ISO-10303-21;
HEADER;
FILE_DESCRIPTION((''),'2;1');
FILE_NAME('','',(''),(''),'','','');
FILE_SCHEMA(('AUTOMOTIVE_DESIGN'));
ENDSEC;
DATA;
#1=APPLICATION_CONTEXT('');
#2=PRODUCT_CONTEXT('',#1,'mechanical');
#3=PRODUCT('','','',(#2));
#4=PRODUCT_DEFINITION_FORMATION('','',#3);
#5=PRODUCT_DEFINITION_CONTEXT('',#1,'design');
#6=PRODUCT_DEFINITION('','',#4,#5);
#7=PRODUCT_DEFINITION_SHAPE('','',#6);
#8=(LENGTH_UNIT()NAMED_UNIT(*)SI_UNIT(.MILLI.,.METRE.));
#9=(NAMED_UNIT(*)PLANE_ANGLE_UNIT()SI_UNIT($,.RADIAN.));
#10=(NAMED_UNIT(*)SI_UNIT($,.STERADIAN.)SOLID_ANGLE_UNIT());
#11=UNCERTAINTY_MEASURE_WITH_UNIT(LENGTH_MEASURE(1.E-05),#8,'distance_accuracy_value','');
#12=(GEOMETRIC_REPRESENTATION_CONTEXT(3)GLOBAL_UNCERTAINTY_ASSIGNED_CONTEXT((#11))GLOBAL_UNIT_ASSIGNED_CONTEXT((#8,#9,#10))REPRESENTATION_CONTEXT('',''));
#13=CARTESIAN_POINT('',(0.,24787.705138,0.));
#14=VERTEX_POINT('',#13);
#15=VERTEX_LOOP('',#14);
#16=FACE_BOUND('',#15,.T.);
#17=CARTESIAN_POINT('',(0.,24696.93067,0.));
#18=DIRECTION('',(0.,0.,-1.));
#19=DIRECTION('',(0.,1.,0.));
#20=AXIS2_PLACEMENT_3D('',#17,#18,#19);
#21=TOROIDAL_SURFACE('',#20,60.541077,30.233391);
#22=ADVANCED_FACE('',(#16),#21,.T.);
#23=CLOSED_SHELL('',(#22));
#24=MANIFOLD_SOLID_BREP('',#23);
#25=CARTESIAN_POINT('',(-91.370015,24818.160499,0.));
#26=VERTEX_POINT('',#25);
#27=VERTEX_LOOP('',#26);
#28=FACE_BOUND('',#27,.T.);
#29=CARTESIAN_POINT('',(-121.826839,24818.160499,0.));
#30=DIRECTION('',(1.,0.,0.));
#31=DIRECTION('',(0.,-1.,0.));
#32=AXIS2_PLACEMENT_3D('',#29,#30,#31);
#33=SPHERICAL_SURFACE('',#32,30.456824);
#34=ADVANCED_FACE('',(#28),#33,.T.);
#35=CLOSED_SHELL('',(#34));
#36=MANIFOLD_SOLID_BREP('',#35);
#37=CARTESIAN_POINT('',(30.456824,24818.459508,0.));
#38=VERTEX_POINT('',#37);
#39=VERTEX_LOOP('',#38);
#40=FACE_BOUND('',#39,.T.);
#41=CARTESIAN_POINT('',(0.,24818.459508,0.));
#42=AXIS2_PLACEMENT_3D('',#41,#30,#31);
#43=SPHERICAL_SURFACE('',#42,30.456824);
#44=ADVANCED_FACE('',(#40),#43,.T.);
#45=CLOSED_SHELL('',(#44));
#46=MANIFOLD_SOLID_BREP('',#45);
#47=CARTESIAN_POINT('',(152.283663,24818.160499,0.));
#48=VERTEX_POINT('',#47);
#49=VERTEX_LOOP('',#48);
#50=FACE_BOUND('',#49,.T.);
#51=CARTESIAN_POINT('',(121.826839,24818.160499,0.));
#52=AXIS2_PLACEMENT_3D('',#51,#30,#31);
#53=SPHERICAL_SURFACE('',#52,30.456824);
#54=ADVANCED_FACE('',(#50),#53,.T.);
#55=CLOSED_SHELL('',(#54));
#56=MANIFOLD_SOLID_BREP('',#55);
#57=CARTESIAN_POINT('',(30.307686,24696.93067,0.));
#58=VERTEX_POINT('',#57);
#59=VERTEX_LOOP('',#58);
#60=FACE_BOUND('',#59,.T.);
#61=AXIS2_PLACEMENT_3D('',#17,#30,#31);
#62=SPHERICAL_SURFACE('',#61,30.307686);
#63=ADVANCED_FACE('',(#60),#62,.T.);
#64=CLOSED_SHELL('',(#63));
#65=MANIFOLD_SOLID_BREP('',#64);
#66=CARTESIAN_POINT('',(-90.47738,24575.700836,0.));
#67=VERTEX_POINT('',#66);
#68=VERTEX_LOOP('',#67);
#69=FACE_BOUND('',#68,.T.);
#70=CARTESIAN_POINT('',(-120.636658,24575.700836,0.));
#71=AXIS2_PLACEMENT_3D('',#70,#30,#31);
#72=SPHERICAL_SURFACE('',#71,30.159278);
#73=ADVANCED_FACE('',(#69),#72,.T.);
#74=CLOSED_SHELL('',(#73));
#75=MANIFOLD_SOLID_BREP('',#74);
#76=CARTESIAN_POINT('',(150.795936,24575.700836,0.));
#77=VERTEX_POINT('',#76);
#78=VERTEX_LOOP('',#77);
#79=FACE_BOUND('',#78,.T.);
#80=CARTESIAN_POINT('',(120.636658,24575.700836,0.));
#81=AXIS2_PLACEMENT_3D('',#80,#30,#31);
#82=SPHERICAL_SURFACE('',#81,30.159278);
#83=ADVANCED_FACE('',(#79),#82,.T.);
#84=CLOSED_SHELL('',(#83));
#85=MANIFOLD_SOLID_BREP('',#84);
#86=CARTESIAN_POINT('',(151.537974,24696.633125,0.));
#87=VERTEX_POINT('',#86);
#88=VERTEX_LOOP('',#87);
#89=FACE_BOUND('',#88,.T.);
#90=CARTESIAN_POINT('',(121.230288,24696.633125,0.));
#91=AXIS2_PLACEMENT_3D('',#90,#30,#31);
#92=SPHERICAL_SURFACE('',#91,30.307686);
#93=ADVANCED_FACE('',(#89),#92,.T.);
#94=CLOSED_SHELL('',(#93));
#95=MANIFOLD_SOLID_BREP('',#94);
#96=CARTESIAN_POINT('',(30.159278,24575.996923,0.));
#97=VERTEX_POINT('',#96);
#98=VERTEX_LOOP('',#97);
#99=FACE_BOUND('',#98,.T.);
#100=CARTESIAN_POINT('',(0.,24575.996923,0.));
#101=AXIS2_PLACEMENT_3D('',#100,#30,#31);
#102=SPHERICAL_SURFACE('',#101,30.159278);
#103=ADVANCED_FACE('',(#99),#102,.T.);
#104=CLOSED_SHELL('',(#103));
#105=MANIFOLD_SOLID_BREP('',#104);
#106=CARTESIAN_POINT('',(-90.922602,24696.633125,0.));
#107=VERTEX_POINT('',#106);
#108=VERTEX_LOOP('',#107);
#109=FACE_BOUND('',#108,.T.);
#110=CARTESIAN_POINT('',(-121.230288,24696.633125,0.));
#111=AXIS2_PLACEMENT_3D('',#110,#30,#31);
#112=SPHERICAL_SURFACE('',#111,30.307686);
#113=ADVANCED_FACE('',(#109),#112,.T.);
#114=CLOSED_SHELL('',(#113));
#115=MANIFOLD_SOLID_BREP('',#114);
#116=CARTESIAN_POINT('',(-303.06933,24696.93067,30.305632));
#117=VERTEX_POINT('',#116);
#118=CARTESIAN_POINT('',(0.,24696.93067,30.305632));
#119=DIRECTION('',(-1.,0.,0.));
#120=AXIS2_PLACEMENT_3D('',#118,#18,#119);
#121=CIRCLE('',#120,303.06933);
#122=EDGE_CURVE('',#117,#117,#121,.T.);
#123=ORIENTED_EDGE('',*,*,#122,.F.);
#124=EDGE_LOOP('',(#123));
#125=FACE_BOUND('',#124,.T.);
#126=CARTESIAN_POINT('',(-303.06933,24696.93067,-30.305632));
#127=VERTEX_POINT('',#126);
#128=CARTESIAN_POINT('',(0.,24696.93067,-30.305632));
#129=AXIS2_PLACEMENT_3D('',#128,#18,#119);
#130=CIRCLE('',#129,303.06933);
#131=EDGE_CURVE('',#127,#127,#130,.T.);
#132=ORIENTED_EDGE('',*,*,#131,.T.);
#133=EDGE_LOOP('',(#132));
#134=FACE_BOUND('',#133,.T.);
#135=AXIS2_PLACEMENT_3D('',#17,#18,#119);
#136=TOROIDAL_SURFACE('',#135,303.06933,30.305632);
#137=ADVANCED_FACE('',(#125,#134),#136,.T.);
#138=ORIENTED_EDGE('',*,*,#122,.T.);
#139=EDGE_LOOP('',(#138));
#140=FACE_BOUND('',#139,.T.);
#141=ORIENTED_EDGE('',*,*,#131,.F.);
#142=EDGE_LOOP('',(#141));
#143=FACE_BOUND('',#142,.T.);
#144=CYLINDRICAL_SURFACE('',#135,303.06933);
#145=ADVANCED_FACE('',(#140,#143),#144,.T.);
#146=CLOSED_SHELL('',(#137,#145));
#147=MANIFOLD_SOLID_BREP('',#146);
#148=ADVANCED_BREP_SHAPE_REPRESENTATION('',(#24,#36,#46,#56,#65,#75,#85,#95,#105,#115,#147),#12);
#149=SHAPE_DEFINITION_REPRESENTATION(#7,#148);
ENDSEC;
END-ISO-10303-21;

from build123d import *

# Parameters (mm, degrees)
SKETCH25_R = 30.233391066


with BuildPart() as part:
    # Sketch16 → Revolve12 (revolve)
    with BuildSketch(Plane.XY):
        with BuildLine():
            Line((30.307686127, 24696.930669747), (-30.307686127, 24696.930669747))
            ThreePointArc((-30.307686127, 24696.930669747), (0, 24727.238355873), (30.307686127, 24696.930669747))
        make_face()
    revolve(axis=Axis((30.307686127, 24696.930669747, 0), (-1, 0, 0)))


with BuildPart() as body_2:
    # Sketch17 → Revolve13 (revolve)
    with BuildSketch(Plane.XY):
        with BuildLine():
            Line((30.159278129, 24575.996923359), (-30.159278129, 24575.996923359))
            ThreePointArc((-30.159278129, 24575.996923359), (0, 24606.156201488), (30.159278129, 24575.996923359))
        make_face()
    revolve(axis=Axis((30.159278129, 24575.996923359, 0), (-1, 0, 0)))


with BuildPart() as body_3:
    # Sketch18 → Revolve14 (revolve)
    with BuildSketch(Plane.XY):
        with BuildLine():
            Line((30.456824411, 24818.459507802), (-30.456824411, 24818.459507802))
            ThreePointArc((-30.456824411, 24818.459507802), (0, 24848.916332214), (30.456824411, 24818.459507802))
        make_face()
    revolve(axis=Axis((30.456824411, 24818.459507802, 0), (-1, 0, 0)))


with BuildPart() as body_4:
    # Sketch19 → Revolve15 (revolve)
    with BuildSketch(Plane.XY):
        with BuildLine():
            Line((150.795936452, 24575.700835859), (90.477380194, 24575.700835859))
            ThreePointArc((90.477380194, 24575.700835859), (120.636658323, 24605.860113988), (150.795936452, 24575.700835859))
        make_face()
    revolve(axis=Axis((150.795936452, 24575.700835859, 0), (-1, 0, 0)))


with BuildPart() as body_5:
    # Sketch20 → Revolve16 (revolve)
    with BuildSketch(Plane.XY):
        with BuildLine():
            Line((-90.477380194, 24575.700835859), (-150.795936452, 24575.700835859))
            ThreePointArc((-150.795936452, 24575.700835859), (-120.636658323, 24605.860113988), (-90.477380194, 24575.700835859))
        make_face()
    revolve(axis=Axis((-90.477380194, 24575.700835859, 0), (-1, 0, 0)))


with BuildPart() as body_6:
    # Sketch21 → Revolve17 (revolve)
    with BuildSketch(Plane.XY):
        with BuildLine():
            Line((151.537974205, 24696.633125257), (90.922601952, 24696.633125257))
            ThreePointArc((90.922601952, 24696.633125257), (121.230288078, 24726.940811383), (151.537974205, 24696.633125257))
        make_face()
    revolve(axis=Axis((151.537974205, 24696.633125257, 0), (-1, 0, 0)))


with BuildPart() as body_7:
    # Sketch22 → Revolve18 (revolve)
    with BuildSketch(Plane.XY):
        with BuildLine():
            Line((-90.922601952, 24696.633125257), (-151.537974205, 24696.633125257))
            ThreePointArc((-151.537974205, 24696.633125257), (-121.230288078, 24726.940811383), (-90.922601952, 24696.633125257))
        make_face()
    revolve(axis=Axis((-90.922601952, 24696.633125257, 0), (-1, 0, 0)))


with BuildPart() as body_8:
    # Sketch23 → Revolve19 (revolve)
    with BuildSketch(Plane.XY):
        with BuildLine():
            Line((152.283663383, 24818.160499153), (91.37001456, 24818.160499153))
            ThreePointArc((91.37001456, 24818.160499153), (121.826838972, 24848.617323565), (152.283663383, 24818.160499153))
        make_face()
    revolve(axis=Axis((152.283663383, 24818.160499153, 0), (-1, 0, 0)))


with BuildPart() as body_9:
    # Sketch24 → Revolve20 (revolve)
    with BuildSketch(Plane.XY):
        with BuildLine():
            Line((-91.37001456, 24818.160499153), (-152.283663383, 24818.160499153))
            ThreePointArc((-152.283663383, 24818.160499153), (-121.826838971, 24848.617323565), (-91.37001456, 24818.160499153))
        make_face()
    revolve(axis=Axis((-91.37001456, 24818.160499153, 0), (-1, 0, 0)))


with BuildPart() as body_10:
    # Sketch25 → Revolve21 (revolve)
    with BuildSketch(Plane(origin=(0, 0, 0), x_dir=(0, 0, -1), z_dir=(1, 0, 0)), mode=Mode.PRIVATE) as revolve21_sk:
        with Locations((0, 24636.389592554)):
            Circle(SKETCH25_R)
    revolve(revolve21_sk.sketch.rotate(Axis((0, 24696.930669747, 0), (0, 0, 1)), 180), axis=Axis((0, 24696.930669747, 0), (0, 0, 1)))  # turned: the seam where the file's is


with BuildPart() as body_11:
    # Sketch26 → Revolve22 (revolve)
    with BuildSketch(Plane(origin=(0, 0, 0), x_dir=(0, 0, -1), z_dir=(1, 0, 0)), mode=Mode.PRIVATE) as revolve22_sk:
        with BuildLine():
            Line((30.305632222, 25000), (-30.305632222, 25000))
            ThreePointArc((-30.305632222, 25000), (0, 24969.694367778), (30.305632222, 25000))
        make_face()
    revolve(revolve22_sk.sketch.rotate(Axis((0, 24696.930669747, 0), (0, 0, 1)), 90), axis=Axis((0, 24696.930669747, 0), (0, 0, 1)))  # turned: the seam where the file's is


solid = Compound([part.part, body_2.part, body_3.part, body_4.part, body_5.part, body_6.part, body_7.part, body_8.part, body_9.part, body_10.part, body_11.part])
